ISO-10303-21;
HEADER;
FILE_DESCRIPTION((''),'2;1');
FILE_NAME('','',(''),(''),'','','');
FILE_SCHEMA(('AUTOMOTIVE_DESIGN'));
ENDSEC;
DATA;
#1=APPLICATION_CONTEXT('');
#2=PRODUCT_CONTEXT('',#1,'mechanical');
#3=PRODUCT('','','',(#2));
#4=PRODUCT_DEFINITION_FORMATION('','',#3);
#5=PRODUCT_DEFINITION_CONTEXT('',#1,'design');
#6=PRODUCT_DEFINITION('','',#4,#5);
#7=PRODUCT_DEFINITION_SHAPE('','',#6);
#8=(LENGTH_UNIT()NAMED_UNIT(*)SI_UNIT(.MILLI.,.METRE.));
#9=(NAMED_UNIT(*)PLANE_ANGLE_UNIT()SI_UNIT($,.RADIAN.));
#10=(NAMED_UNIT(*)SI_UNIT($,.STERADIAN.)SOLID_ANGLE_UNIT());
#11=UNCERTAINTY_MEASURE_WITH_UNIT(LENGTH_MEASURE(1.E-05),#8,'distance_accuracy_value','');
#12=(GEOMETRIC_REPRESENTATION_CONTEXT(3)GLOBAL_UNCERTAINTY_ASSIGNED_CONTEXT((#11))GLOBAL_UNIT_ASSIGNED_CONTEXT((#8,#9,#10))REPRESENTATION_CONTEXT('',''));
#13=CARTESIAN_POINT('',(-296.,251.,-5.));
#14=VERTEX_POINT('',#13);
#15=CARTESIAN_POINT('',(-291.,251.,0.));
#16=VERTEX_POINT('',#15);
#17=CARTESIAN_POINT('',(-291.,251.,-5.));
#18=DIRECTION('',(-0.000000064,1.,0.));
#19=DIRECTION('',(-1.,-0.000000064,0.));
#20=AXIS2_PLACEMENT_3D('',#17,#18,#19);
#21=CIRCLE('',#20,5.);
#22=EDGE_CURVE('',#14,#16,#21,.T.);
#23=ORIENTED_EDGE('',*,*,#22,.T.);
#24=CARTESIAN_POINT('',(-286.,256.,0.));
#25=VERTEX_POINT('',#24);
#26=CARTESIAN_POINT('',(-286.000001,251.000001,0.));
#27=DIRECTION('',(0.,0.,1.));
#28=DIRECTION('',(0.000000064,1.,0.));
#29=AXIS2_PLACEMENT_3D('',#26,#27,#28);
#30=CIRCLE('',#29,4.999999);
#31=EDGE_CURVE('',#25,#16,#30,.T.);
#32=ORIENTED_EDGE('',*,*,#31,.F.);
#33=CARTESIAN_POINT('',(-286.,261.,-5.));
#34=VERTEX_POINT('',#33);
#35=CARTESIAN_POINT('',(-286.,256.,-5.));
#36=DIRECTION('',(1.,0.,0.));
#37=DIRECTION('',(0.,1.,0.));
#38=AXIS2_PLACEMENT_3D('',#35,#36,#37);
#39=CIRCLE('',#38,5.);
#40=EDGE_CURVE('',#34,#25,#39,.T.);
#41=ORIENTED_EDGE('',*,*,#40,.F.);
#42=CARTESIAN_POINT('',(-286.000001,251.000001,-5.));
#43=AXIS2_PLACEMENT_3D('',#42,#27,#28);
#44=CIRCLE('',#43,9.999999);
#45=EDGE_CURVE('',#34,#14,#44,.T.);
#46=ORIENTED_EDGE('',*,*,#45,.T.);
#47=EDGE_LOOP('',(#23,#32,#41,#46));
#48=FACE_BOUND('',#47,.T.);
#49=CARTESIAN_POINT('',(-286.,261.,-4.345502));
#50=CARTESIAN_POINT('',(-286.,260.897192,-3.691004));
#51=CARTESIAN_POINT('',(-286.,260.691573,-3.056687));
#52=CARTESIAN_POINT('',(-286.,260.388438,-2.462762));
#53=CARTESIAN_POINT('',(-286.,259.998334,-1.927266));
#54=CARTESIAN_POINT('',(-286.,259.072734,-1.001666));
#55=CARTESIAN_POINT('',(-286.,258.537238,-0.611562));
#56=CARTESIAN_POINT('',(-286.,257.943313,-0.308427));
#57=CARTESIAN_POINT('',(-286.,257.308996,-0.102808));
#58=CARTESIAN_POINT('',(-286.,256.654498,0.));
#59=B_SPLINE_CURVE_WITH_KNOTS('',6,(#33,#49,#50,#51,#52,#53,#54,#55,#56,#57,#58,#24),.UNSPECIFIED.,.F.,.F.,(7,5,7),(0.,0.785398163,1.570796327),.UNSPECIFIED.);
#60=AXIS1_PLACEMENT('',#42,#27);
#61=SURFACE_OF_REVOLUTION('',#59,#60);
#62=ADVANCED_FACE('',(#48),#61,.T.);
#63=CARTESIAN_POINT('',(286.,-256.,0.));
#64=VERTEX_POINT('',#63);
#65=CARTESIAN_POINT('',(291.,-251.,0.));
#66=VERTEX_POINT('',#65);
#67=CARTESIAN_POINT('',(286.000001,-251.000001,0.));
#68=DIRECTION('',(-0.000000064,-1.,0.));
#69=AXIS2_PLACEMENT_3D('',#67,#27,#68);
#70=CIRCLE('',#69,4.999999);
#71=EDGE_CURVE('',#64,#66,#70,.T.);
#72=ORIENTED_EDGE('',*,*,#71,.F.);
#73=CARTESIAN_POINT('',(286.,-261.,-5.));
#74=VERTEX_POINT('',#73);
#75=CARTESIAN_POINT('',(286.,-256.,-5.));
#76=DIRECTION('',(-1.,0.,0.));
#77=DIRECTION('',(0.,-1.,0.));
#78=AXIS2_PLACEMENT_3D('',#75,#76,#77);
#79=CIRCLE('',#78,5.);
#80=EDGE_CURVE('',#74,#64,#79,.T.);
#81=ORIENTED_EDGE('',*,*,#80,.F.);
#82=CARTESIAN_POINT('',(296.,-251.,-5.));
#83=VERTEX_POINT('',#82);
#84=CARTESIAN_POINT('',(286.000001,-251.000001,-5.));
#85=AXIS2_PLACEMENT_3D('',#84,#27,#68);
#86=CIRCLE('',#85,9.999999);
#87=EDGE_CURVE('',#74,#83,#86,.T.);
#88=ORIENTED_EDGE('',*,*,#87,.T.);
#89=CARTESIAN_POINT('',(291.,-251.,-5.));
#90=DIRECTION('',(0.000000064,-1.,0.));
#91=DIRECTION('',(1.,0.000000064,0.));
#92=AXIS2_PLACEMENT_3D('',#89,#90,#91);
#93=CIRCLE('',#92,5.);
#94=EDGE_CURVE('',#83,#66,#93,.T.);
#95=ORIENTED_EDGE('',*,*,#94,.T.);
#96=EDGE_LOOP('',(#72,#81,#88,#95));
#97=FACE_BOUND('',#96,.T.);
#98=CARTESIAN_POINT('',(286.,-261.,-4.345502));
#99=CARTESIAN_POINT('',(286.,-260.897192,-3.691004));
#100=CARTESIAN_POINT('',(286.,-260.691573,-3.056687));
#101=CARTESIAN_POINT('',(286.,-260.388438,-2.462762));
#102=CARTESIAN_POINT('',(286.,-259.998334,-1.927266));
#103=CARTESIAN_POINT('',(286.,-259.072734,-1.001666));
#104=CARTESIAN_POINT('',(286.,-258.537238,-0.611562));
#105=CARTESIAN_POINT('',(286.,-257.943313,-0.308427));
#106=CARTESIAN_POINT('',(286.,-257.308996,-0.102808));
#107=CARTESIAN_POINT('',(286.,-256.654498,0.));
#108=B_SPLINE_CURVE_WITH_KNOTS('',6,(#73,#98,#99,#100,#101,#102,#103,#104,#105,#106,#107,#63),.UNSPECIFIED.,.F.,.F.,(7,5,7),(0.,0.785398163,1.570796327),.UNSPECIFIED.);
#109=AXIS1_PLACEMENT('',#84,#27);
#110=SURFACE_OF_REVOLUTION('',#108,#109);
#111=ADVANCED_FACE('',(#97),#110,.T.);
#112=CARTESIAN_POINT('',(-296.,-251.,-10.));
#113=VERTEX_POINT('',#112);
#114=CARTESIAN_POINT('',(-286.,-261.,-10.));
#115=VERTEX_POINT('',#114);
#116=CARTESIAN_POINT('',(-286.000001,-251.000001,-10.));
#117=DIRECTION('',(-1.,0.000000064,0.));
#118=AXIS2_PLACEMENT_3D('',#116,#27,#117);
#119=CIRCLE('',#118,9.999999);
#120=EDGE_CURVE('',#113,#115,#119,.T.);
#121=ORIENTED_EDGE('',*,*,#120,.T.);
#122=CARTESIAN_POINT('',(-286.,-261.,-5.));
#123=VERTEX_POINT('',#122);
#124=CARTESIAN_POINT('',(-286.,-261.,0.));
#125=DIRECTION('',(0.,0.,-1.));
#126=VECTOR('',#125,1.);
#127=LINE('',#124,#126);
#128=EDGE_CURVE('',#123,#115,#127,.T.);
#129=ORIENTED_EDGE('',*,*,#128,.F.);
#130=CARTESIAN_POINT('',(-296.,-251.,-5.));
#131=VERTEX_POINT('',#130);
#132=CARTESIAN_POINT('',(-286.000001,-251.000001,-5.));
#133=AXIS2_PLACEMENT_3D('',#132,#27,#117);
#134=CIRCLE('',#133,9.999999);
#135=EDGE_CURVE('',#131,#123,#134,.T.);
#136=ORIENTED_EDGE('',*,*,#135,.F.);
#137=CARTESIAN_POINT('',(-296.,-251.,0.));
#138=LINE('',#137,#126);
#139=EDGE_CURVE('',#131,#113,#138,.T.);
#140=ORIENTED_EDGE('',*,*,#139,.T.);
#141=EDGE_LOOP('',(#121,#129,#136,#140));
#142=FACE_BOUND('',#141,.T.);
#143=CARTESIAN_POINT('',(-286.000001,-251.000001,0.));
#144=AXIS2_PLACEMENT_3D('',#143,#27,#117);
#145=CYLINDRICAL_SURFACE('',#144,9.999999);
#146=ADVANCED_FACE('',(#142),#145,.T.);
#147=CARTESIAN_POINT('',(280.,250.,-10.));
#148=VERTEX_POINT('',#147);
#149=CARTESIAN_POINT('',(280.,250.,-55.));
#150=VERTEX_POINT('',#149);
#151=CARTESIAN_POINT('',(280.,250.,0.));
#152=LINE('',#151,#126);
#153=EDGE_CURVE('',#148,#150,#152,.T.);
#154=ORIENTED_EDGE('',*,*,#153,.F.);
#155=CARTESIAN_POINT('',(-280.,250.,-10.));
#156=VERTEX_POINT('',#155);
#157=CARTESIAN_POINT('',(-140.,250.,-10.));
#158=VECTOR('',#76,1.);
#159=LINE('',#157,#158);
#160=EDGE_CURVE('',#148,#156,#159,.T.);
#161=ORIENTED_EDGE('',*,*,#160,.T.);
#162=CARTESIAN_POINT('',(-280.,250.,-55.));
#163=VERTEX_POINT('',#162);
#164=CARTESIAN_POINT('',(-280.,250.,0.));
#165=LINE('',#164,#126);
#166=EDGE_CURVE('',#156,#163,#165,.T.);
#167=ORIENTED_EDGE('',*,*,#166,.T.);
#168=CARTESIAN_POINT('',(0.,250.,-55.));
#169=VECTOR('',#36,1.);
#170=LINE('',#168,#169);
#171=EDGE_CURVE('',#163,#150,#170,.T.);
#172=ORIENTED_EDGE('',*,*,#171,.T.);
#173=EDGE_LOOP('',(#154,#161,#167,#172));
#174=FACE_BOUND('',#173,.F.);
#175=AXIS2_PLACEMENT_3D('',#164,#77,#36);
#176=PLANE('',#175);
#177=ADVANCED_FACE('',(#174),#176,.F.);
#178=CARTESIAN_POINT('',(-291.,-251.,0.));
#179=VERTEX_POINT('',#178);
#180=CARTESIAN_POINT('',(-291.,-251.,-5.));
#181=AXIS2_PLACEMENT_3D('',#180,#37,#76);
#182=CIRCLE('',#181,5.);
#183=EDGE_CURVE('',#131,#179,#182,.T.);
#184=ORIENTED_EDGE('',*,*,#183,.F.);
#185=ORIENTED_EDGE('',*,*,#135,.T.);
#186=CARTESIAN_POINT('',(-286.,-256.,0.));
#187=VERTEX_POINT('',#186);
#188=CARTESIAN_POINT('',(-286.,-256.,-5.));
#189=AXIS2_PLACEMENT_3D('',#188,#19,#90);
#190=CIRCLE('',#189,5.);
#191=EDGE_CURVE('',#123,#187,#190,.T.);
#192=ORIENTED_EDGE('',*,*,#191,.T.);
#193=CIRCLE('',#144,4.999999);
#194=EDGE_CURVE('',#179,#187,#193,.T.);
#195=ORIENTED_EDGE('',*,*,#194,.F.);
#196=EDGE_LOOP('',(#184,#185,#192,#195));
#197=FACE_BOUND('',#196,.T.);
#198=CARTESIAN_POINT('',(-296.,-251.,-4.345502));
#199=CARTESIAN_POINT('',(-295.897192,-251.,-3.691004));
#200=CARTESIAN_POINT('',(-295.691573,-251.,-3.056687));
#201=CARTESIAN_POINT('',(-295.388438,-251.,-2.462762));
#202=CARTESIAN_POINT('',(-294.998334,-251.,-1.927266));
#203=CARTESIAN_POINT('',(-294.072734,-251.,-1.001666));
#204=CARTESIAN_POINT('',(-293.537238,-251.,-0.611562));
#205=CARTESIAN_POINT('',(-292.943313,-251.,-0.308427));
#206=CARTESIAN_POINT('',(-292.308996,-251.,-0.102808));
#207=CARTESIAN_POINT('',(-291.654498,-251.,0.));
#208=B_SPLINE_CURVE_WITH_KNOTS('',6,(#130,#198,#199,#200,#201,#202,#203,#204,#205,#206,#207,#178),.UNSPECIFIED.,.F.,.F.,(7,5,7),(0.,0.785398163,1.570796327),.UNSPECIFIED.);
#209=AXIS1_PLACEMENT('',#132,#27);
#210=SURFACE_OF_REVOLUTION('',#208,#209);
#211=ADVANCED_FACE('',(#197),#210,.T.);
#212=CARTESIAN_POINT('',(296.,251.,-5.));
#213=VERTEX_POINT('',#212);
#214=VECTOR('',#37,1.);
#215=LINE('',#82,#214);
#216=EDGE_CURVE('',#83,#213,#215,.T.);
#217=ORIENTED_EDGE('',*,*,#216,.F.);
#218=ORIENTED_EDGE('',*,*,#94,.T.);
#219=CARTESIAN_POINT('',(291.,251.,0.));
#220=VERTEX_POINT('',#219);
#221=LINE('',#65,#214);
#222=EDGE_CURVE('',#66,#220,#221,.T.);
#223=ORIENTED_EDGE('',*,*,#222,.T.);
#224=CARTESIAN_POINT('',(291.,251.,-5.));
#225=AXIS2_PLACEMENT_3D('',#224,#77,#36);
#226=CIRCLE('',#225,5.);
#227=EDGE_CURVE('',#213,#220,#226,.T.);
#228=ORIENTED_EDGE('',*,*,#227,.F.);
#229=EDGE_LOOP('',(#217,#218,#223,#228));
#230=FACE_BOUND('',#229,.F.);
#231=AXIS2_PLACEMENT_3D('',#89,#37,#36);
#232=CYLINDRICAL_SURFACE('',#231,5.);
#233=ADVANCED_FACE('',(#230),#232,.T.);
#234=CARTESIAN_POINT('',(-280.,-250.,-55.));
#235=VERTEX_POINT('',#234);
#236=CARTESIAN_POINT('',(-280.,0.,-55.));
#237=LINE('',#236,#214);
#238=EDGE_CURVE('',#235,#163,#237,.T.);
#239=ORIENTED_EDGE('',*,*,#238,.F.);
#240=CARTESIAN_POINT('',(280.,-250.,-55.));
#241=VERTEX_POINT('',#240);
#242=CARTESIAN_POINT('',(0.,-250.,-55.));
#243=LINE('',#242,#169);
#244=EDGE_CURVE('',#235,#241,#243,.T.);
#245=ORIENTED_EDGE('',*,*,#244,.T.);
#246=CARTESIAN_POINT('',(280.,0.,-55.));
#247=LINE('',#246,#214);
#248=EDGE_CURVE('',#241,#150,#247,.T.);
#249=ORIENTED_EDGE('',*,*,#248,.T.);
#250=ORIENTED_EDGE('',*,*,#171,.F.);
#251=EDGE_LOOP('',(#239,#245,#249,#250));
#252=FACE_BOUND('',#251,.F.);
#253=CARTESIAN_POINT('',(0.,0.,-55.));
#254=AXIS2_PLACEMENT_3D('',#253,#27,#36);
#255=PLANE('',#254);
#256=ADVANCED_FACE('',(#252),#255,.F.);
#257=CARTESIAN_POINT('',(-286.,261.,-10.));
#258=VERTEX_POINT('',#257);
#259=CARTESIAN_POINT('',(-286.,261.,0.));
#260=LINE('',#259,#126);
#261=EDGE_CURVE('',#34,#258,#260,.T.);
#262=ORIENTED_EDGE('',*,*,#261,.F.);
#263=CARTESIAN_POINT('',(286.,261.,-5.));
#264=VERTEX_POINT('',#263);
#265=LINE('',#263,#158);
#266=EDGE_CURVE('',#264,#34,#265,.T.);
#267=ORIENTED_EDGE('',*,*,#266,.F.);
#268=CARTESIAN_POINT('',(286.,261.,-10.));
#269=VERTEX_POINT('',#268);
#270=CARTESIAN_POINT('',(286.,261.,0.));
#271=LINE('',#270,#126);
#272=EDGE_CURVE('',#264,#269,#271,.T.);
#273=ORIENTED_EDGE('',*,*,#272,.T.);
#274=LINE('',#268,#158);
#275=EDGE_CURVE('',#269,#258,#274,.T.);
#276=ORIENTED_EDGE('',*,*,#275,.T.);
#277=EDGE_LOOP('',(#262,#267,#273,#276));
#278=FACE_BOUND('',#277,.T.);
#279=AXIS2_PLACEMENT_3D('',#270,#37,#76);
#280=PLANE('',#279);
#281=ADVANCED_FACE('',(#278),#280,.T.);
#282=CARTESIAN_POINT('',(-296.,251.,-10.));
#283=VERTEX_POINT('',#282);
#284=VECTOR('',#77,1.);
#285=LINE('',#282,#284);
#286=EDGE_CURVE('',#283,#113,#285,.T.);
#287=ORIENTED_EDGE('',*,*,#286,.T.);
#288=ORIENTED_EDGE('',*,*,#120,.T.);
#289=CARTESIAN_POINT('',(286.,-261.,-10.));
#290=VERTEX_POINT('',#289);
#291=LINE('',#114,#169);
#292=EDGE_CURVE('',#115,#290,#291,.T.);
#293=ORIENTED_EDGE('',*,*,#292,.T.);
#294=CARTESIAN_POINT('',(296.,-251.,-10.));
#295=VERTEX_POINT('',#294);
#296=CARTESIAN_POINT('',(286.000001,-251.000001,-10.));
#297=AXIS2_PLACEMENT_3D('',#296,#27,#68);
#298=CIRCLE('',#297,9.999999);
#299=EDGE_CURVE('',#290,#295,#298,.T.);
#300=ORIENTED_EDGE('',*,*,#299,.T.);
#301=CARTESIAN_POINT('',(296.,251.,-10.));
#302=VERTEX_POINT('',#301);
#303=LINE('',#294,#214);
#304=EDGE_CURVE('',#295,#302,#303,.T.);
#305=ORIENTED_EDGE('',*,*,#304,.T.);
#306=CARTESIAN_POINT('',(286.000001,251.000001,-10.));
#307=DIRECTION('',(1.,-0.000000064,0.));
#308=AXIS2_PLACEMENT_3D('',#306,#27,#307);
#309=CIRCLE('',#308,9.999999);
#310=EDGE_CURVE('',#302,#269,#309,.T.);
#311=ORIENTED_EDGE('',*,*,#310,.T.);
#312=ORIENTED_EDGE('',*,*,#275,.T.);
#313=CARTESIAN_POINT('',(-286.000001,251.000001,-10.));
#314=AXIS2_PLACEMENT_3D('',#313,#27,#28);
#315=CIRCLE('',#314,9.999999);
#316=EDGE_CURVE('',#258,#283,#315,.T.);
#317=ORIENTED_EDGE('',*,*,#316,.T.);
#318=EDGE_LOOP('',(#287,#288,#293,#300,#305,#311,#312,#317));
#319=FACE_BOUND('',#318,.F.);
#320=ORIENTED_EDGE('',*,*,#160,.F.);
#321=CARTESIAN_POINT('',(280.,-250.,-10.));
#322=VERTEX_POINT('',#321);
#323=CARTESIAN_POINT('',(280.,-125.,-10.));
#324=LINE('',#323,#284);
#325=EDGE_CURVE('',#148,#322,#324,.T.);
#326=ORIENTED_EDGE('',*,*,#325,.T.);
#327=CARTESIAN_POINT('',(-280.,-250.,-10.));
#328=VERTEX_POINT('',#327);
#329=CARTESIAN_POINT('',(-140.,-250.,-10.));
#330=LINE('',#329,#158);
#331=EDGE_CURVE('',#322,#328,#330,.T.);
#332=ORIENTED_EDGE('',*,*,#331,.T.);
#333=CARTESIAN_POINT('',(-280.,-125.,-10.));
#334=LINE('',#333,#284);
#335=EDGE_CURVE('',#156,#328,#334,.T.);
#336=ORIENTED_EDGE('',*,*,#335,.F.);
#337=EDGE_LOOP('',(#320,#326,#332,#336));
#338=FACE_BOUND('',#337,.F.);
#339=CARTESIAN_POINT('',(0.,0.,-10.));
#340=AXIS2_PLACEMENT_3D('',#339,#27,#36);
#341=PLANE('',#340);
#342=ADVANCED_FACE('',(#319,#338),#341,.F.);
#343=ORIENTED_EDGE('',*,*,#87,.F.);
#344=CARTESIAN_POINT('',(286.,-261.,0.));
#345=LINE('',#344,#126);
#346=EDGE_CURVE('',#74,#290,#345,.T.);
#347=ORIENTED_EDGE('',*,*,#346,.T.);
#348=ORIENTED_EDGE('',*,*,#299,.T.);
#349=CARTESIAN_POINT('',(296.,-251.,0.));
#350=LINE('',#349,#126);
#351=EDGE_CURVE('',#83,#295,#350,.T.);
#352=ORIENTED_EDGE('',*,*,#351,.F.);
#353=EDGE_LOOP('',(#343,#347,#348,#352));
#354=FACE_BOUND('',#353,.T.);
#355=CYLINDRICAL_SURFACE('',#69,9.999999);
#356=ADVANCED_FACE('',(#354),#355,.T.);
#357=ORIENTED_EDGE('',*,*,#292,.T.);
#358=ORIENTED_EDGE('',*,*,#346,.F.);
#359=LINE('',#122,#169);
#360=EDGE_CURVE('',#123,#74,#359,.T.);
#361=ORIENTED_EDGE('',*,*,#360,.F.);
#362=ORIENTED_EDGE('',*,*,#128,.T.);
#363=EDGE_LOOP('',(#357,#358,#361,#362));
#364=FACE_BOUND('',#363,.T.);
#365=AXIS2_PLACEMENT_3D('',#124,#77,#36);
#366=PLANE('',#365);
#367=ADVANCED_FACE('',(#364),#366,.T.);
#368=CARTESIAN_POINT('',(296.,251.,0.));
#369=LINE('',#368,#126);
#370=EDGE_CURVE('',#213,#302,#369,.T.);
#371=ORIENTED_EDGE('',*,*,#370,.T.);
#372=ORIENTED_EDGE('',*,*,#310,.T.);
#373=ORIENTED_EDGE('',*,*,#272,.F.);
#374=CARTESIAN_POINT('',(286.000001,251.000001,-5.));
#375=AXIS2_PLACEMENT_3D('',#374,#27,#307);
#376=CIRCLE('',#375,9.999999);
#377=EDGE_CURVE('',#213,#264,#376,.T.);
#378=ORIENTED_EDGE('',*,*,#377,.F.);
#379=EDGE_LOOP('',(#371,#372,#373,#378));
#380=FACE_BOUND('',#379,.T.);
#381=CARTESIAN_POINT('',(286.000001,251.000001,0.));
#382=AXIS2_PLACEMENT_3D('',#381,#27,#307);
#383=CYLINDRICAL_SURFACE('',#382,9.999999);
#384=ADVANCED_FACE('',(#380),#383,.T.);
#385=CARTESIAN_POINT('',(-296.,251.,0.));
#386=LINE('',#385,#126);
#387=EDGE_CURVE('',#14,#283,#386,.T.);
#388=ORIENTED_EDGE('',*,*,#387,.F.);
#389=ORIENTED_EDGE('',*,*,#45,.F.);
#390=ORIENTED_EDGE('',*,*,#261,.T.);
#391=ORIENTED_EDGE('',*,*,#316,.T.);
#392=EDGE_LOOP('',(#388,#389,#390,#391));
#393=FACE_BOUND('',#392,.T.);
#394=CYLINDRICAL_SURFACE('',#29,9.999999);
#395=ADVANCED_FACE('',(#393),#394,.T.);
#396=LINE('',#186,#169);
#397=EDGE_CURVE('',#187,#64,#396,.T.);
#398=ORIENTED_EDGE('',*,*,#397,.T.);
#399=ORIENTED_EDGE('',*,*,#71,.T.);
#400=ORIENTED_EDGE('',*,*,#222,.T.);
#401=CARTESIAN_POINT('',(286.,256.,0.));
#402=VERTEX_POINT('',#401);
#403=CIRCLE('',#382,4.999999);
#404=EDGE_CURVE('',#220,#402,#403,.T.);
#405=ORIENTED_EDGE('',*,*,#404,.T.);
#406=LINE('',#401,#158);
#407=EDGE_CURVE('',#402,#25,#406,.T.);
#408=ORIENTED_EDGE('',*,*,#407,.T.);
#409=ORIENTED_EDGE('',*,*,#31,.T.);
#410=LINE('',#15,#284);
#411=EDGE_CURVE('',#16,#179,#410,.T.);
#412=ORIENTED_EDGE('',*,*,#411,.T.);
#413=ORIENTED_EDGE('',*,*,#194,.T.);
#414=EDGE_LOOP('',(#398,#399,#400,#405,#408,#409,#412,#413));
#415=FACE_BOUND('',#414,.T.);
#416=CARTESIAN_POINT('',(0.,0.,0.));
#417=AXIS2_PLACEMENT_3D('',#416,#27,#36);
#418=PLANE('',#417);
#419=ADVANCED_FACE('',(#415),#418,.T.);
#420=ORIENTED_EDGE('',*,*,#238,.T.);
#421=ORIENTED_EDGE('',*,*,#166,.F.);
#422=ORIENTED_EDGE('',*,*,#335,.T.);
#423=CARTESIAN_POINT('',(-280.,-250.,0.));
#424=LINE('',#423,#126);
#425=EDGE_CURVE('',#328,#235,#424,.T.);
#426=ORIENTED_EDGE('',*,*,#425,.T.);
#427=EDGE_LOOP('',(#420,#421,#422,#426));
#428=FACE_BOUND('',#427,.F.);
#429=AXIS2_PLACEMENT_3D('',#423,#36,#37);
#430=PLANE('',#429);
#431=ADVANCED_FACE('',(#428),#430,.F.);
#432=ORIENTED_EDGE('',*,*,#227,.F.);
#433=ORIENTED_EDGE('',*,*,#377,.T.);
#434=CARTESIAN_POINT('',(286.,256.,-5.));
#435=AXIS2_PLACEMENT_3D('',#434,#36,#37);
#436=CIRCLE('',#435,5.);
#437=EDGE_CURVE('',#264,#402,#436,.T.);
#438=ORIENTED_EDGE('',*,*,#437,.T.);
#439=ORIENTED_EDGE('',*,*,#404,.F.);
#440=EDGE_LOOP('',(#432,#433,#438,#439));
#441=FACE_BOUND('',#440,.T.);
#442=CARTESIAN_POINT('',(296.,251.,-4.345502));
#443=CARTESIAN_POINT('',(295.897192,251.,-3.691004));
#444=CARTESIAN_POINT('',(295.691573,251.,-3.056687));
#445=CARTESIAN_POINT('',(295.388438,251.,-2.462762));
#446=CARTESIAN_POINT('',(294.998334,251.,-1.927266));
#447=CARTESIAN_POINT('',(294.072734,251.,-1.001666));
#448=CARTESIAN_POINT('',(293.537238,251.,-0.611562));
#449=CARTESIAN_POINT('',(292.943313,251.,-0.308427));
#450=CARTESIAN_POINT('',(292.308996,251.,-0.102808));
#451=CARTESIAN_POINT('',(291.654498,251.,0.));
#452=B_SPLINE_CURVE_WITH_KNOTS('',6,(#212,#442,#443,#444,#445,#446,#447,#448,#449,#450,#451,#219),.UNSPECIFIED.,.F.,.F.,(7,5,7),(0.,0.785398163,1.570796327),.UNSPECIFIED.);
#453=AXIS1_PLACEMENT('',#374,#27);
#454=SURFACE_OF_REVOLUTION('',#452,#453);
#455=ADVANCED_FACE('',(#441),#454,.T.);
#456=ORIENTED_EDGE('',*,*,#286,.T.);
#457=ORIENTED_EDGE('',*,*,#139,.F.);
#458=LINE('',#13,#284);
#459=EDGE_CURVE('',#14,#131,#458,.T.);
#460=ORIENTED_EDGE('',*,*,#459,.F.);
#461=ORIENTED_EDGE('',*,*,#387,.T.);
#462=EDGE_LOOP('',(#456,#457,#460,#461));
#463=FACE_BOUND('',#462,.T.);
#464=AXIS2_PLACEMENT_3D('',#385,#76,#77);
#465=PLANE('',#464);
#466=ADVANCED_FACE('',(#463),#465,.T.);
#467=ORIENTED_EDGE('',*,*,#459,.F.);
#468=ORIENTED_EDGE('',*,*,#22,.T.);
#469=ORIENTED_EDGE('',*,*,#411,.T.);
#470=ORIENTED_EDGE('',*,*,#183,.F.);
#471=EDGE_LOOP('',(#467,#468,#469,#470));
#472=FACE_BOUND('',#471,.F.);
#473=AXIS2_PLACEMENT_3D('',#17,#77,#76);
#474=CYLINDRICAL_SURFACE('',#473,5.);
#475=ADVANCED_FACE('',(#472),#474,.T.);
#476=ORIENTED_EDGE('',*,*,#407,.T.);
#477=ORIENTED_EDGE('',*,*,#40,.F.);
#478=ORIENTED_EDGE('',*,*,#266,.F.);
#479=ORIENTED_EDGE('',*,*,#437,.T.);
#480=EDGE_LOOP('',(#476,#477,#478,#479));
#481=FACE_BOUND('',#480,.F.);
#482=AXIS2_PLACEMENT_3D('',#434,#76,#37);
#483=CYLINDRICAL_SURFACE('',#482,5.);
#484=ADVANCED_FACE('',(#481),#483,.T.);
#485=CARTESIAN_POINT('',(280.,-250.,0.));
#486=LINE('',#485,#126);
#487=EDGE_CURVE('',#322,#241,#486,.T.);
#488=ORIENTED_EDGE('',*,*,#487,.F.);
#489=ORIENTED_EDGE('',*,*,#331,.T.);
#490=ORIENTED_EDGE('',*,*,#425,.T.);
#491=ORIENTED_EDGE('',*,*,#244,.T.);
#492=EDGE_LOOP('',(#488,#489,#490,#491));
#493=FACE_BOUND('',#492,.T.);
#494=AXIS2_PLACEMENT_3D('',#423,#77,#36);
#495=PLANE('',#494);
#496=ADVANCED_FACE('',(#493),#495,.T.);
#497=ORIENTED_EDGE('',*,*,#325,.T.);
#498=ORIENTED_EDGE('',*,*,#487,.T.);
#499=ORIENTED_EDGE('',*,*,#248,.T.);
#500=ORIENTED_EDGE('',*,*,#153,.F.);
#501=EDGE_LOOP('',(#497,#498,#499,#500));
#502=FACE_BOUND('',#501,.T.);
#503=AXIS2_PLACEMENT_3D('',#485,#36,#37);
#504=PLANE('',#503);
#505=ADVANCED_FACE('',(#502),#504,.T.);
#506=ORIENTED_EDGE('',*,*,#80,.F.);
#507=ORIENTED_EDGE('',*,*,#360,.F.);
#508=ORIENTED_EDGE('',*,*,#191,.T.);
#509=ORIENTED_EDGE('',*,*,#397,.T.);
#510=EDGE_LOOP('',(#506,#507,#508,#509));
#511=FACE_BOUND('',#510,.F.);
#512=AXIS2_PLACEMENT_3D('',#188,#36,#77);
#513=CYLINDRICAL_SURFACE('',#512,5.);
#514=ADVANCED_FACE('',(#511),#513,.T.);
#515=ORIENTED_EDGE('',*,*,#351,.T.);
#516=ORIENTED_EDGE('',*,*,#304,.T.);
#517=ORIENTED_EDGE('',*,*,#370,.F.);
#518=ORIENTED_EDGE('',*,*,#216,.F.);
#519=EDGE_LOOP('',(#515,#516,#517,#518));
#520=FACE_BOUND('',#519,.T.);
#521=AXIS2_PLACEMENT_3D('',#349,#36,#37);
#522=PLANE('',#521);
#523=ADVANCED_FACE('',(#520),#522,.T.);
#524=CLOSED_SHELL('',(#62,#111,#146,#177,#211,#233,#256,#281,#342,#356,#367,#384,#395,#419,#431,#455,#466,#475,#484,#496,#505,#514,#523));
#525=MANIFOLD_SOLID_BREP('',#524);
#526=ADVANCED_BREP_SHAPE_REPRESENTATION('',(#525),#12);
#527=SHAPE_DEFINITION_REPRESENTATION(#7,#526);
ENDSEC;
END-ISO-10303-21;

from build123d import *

# Parameters (mm, degrees)
F0_W     = 560
F0_H     = 500
F1_DEPTH = 55
F2_DEPTH = 10
F3_R     = 5


with BuildPart() as f1:
    # F0 (on Top) → F1 (new body)
    with BuildSketch(Plane.XY):
        Rectangle(F0_W, F0_H)
    extrude(amount=-F1_DEPTH)

    # F0 (on Top) → F2 (join)
    with BuildSketch(Plane.XY):
        with BuildLine():
            Line((286, 261), (-286, 261))
            ThreePointArc((-286, 261), (-293.071068, 258.071068), (-296, 251))
            Line((-296, 251), (-296, -251))
            ThreePointArc((-296, -251), (-293.071068, -258.071068), (-286, -261))
            Line((-286, -261), (286, -261))
            ThreePointArc((286, -261), (293.071068, -258.071068), (296, -251))
            Line((296, -251), (296, 251))
            ThreePointArc((296, 251), (293.071068, 258.071068), (286, 261))
        make_face()
        Rectangle(F0_W, F0_H, mode=Mode.SUBTRACT)
        Rectangle(F0_W, F0_H)
    extrude(amount=-F2_DEPTH)

    # F3
    f3_edges = [f1.edges().sort_by_distance(p)[0] for p in [
        (0, 261, 0),
        (-293.071068, 258.071068, 0),
        (-296, 0, 0),
        (-293.071068, -258.071068, 0),
        (0, -261, 0),
        (293.071068, -258.071068, 0),
        (296, 0, 0),
        (293.071068, 258.071068, 0),
    ]]
    fillet(f3_edges, radius=F3_R)


solid = f1.part
